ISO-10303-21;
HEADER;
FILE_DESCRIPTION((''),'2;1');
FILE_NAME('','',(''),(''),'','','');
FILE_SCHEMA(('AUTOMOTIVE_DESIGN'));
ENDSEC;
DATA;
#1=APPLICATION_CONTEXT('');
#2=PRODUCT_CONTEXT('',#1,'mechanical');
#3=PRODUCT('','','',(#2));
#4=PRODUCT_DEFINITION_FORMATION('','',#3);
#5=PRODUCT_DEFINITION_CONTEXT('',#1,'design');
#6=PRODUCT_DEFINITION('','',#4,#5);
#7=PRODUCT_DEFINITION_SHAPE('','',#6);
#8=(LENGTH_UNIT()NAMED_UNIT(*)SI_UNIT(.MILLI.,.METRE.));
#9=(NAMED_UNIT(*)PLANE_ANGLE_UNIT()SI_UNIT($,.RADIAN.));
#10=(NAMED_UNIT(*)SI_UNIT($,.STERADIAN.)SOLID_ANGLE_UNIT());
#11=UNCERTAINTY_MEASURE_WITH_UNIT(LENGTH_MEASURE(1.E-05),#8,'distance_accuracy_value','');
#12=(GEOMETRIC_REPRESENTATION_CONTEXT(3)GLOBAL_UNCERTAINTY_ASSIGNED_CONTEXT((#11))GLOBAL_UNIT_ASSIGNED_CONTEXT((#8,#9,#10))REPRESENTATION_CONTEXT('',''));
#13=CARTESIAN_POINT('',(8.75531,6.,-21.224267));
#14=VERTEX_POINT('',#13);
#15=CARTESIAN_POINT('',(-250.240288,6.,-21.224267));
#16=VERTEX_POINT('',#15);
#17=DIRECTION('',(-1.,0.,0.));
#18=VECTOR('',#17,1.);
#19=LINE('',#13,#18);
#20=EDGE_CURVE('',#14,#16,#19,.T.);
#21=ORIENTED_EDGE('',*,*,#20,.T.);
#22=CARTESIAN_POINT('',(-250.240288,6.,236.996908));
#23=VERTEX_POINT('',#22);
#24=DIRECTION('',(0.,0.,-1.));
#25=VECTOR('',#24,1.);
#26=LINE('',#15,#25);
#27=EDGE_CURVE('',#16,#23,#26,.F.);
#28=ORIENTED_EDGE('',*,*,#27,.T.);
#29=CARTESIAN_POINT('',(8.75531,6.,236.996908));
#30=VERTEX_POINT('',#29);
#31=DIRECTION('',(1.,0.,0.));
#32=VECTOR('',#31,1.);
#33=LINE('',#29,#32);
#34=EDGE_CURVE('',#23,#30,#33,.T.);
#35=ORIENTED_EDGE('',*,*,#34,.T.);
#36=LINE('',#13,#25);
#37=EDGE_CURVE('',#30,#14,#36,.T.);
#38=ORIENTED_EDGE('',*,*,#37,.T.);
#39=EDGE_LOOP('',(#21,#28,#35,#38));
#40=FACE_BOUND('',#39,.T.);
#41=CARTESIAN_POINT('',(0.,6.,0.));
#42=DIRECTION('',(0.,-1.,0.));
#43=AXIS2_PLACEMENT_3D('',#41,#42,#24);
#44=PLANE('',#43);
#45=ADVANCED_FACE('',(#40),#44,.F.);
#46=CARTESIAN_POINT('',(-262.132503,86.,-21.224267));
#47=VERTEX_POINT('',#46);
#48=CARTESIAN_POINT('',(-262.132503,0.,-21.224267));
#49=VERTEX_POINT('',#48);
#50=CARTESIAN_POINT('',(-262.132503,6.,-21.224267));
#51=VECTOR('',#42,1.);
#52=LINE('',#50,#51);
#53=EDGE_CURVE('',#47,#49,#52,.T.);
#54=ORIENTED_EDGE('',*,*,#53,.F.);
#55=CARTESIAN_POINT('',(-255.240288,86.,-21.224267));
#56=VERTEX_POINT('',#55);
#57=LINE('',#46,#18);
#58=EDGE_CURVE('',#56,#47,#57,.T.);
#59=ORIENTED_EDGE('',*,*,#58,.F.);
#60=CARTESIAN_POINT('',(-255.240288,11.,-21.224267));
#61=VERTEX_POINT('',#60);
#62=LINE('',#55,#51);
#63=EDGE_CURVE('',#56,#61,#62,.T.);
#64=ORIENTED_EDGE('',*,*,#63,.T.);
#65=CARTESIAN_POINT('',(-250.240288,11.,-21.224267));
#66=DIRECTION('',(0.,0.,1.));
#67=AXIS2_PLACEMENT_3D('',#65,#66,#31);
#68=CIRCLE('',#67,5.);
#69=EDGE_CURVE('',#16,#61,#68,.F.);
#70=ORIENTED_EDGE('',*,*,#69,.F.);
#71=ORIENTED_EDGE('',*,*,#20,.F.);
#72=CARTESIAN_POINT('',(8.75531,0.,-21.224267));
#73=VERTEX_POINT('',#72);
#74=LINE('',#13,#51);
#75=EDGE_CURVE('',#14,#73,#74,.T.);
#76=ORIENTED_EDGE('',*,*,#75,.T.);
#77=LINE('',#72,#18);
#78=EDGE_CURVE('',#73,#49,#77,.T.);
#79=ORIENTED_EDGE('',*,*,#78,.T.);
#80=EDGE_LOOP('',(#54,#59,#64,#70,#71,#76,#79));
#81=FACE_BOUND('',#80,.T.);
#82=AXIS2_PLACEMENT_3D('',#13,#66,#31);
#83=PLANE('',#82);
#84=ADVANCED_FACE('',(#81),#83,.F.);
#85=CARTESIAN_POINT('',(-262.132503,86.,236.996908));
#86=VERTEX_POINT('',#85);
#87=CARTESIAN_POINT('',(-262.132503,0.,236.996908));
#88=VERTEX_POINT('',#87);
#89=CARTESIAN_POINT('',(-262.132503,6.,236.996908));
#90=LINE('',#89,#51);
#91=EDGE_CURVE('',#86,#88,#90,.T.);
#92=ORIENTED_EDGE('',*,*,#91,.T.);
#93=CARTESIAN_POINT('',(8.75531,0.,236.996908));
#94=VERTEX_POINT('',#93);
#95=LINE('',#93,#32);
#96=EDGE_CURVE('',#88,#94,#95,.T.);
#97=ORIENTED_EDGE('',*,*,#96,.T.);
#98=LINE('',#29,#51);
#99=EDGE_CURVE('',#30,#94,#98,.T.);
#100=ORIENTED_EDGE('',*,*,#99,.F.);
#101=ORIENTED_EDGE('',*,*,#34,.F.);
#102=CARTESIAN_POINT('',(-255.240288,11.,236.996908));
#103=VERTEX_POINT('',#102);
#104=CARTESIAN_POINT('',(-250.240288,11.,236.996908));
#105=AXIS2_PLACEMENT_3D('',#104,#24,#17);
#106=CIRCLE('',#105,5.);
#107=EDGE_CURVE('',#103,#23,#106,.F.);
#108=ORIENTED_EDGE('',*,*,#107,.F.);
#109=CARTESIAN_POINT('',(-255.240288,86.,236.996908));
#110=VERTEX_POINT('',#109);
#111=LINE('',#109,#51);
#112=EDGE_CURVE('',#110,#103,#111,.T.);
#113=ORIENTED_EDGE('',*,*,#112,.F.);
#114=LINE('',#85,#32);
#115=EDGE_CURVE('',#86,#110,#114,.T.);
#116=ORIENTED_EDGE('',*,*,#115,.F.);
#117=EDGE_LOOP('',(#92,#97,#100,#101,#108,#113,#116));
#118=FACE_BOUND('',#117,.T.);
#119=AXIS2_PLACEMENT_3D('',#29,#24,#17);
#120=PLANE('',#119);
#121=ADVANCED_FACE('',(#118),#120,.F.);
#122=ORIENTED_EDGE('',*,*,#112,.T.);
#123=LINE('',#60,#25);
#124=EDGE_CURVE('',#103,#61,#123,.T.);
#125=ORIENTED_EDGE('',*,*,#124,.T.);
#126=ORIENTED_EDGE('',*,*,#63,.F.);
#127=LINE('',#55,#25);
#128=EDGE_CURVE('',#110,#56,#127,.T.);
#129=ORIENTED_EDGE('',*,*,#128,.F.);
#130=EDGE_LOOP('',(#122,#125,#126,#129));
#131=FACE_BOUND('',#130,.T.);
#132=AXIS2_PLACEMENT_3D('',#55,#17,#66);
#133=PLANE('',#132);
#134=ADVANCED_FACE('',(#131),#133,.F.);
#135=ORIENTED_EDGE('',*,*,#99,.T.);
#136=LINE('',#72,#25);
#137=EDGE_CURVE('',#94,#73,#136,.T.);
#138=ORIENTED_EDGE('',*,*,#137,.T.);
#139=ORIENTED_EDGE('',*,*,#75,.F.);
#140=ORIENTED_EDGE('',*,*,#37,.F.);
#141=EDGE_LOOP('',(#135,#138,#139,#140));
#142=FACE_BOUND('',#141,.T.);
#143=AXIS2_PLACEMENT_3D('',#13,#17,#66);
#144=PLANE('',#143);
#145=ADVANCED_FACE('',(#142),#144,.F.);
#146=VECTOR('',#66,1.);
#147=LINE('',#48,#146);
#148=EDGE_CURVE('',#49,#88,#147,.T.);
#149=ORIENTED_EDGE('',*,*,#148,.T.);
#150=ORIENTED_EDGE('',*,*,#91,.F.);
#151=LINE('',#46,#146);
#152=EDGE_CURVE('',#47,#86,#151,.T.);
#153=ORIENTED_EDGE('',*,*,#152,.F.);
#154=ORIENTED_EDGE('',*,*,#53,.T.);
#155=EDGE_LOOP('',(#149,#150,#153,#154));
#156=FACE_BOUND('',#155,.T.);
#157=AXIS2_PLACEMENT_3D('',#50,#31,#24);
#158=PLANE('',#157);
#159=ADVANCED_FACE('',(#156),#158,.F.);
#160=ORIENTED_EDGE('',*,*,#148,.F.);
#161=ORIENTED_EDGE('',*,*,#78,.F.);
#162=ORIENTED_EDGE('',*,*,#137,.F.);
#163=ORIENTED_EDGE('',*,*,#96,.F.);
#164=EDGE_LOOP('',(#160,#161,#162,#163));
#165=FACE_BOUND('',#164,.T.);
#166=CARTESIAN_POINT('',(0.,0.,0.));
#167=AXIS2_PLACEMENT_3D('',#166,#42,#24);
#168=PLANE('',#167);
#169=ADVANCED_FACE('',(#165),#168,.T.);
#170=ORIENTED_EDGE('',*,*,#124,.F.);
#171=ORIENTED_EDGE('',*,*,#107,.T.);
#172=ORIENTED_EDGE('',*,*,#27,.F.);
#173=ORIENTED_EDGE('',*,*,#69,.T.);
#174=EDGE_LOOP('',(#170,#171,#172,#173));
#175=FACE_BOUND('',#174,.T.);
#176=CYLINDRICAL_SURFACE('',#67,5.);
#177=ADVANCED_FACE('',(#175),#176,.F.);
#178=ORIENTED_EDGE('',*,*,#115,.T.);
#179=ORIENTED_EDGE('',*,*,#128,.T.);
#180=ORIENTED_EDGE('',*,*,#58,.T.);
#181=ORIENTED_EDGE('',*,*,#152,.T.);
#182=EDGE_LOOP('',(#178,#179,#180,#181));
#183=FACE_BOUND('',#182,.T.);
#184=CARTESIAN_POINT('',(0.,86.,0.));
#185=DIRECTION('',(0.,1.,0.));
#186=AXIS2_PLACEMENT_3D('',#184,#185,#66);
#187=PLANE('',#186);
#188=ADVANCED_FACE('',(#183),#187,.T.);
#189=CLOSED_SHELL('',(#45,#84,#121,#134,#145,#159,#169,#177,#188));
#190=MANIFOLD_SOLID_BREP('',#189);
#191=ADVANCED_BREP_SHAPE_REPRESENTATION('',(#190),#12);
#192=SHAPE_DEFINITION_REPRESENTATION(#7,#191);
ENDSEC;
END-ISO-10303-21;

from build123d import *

# Parameters (mm, degrees)
SKETCH1_W           = 270.887813212
SKETCH1_H           = 258.221174697
BASE_DEPTH          = 6
SKETCH2_W           = 6.892214754
SKETCH2_H           = 258.221174697
BOSS_EXTRUDE2_DEPTH = 80
FILLET1_R           = 5


with BuildPart() as part:
    # Sketch1 → Base (new body)
    with BuildSketch(Plane(origin=(0, 0, 0), x_dir=(1, 0, 0), z_dir=(0, 1, 0))):
        with Locations((-126.688596317, -107.886320424)):
            Rectangle(SKETCH1_W, SKETCH1_H)
    extrude(amount=BASE_DEPTH)

    # Sketch2 → Boss-Extrude2 (add)
    with BuildSketch(Plane(origin=(0, 6, 0), x_dir=(1, 0, 0), z_dir=(0, 1, 0))):
        with Locations((-258.686395546, -107.886320424)):
            Rectangle(SKETCH2_W, SKETCH2_H)
    extrude(amount=BOSS_EXTRUDE2_DEPTH)

    # Fillet1
    fillet1_edges = [part.edges().sort_by_distance(p)[0] for p in [
        (-255.240288169, 6, 107.886320423),
    ]]
    fillet(fillet1_edges, radius=FILLET1_R)


solid = part.part
